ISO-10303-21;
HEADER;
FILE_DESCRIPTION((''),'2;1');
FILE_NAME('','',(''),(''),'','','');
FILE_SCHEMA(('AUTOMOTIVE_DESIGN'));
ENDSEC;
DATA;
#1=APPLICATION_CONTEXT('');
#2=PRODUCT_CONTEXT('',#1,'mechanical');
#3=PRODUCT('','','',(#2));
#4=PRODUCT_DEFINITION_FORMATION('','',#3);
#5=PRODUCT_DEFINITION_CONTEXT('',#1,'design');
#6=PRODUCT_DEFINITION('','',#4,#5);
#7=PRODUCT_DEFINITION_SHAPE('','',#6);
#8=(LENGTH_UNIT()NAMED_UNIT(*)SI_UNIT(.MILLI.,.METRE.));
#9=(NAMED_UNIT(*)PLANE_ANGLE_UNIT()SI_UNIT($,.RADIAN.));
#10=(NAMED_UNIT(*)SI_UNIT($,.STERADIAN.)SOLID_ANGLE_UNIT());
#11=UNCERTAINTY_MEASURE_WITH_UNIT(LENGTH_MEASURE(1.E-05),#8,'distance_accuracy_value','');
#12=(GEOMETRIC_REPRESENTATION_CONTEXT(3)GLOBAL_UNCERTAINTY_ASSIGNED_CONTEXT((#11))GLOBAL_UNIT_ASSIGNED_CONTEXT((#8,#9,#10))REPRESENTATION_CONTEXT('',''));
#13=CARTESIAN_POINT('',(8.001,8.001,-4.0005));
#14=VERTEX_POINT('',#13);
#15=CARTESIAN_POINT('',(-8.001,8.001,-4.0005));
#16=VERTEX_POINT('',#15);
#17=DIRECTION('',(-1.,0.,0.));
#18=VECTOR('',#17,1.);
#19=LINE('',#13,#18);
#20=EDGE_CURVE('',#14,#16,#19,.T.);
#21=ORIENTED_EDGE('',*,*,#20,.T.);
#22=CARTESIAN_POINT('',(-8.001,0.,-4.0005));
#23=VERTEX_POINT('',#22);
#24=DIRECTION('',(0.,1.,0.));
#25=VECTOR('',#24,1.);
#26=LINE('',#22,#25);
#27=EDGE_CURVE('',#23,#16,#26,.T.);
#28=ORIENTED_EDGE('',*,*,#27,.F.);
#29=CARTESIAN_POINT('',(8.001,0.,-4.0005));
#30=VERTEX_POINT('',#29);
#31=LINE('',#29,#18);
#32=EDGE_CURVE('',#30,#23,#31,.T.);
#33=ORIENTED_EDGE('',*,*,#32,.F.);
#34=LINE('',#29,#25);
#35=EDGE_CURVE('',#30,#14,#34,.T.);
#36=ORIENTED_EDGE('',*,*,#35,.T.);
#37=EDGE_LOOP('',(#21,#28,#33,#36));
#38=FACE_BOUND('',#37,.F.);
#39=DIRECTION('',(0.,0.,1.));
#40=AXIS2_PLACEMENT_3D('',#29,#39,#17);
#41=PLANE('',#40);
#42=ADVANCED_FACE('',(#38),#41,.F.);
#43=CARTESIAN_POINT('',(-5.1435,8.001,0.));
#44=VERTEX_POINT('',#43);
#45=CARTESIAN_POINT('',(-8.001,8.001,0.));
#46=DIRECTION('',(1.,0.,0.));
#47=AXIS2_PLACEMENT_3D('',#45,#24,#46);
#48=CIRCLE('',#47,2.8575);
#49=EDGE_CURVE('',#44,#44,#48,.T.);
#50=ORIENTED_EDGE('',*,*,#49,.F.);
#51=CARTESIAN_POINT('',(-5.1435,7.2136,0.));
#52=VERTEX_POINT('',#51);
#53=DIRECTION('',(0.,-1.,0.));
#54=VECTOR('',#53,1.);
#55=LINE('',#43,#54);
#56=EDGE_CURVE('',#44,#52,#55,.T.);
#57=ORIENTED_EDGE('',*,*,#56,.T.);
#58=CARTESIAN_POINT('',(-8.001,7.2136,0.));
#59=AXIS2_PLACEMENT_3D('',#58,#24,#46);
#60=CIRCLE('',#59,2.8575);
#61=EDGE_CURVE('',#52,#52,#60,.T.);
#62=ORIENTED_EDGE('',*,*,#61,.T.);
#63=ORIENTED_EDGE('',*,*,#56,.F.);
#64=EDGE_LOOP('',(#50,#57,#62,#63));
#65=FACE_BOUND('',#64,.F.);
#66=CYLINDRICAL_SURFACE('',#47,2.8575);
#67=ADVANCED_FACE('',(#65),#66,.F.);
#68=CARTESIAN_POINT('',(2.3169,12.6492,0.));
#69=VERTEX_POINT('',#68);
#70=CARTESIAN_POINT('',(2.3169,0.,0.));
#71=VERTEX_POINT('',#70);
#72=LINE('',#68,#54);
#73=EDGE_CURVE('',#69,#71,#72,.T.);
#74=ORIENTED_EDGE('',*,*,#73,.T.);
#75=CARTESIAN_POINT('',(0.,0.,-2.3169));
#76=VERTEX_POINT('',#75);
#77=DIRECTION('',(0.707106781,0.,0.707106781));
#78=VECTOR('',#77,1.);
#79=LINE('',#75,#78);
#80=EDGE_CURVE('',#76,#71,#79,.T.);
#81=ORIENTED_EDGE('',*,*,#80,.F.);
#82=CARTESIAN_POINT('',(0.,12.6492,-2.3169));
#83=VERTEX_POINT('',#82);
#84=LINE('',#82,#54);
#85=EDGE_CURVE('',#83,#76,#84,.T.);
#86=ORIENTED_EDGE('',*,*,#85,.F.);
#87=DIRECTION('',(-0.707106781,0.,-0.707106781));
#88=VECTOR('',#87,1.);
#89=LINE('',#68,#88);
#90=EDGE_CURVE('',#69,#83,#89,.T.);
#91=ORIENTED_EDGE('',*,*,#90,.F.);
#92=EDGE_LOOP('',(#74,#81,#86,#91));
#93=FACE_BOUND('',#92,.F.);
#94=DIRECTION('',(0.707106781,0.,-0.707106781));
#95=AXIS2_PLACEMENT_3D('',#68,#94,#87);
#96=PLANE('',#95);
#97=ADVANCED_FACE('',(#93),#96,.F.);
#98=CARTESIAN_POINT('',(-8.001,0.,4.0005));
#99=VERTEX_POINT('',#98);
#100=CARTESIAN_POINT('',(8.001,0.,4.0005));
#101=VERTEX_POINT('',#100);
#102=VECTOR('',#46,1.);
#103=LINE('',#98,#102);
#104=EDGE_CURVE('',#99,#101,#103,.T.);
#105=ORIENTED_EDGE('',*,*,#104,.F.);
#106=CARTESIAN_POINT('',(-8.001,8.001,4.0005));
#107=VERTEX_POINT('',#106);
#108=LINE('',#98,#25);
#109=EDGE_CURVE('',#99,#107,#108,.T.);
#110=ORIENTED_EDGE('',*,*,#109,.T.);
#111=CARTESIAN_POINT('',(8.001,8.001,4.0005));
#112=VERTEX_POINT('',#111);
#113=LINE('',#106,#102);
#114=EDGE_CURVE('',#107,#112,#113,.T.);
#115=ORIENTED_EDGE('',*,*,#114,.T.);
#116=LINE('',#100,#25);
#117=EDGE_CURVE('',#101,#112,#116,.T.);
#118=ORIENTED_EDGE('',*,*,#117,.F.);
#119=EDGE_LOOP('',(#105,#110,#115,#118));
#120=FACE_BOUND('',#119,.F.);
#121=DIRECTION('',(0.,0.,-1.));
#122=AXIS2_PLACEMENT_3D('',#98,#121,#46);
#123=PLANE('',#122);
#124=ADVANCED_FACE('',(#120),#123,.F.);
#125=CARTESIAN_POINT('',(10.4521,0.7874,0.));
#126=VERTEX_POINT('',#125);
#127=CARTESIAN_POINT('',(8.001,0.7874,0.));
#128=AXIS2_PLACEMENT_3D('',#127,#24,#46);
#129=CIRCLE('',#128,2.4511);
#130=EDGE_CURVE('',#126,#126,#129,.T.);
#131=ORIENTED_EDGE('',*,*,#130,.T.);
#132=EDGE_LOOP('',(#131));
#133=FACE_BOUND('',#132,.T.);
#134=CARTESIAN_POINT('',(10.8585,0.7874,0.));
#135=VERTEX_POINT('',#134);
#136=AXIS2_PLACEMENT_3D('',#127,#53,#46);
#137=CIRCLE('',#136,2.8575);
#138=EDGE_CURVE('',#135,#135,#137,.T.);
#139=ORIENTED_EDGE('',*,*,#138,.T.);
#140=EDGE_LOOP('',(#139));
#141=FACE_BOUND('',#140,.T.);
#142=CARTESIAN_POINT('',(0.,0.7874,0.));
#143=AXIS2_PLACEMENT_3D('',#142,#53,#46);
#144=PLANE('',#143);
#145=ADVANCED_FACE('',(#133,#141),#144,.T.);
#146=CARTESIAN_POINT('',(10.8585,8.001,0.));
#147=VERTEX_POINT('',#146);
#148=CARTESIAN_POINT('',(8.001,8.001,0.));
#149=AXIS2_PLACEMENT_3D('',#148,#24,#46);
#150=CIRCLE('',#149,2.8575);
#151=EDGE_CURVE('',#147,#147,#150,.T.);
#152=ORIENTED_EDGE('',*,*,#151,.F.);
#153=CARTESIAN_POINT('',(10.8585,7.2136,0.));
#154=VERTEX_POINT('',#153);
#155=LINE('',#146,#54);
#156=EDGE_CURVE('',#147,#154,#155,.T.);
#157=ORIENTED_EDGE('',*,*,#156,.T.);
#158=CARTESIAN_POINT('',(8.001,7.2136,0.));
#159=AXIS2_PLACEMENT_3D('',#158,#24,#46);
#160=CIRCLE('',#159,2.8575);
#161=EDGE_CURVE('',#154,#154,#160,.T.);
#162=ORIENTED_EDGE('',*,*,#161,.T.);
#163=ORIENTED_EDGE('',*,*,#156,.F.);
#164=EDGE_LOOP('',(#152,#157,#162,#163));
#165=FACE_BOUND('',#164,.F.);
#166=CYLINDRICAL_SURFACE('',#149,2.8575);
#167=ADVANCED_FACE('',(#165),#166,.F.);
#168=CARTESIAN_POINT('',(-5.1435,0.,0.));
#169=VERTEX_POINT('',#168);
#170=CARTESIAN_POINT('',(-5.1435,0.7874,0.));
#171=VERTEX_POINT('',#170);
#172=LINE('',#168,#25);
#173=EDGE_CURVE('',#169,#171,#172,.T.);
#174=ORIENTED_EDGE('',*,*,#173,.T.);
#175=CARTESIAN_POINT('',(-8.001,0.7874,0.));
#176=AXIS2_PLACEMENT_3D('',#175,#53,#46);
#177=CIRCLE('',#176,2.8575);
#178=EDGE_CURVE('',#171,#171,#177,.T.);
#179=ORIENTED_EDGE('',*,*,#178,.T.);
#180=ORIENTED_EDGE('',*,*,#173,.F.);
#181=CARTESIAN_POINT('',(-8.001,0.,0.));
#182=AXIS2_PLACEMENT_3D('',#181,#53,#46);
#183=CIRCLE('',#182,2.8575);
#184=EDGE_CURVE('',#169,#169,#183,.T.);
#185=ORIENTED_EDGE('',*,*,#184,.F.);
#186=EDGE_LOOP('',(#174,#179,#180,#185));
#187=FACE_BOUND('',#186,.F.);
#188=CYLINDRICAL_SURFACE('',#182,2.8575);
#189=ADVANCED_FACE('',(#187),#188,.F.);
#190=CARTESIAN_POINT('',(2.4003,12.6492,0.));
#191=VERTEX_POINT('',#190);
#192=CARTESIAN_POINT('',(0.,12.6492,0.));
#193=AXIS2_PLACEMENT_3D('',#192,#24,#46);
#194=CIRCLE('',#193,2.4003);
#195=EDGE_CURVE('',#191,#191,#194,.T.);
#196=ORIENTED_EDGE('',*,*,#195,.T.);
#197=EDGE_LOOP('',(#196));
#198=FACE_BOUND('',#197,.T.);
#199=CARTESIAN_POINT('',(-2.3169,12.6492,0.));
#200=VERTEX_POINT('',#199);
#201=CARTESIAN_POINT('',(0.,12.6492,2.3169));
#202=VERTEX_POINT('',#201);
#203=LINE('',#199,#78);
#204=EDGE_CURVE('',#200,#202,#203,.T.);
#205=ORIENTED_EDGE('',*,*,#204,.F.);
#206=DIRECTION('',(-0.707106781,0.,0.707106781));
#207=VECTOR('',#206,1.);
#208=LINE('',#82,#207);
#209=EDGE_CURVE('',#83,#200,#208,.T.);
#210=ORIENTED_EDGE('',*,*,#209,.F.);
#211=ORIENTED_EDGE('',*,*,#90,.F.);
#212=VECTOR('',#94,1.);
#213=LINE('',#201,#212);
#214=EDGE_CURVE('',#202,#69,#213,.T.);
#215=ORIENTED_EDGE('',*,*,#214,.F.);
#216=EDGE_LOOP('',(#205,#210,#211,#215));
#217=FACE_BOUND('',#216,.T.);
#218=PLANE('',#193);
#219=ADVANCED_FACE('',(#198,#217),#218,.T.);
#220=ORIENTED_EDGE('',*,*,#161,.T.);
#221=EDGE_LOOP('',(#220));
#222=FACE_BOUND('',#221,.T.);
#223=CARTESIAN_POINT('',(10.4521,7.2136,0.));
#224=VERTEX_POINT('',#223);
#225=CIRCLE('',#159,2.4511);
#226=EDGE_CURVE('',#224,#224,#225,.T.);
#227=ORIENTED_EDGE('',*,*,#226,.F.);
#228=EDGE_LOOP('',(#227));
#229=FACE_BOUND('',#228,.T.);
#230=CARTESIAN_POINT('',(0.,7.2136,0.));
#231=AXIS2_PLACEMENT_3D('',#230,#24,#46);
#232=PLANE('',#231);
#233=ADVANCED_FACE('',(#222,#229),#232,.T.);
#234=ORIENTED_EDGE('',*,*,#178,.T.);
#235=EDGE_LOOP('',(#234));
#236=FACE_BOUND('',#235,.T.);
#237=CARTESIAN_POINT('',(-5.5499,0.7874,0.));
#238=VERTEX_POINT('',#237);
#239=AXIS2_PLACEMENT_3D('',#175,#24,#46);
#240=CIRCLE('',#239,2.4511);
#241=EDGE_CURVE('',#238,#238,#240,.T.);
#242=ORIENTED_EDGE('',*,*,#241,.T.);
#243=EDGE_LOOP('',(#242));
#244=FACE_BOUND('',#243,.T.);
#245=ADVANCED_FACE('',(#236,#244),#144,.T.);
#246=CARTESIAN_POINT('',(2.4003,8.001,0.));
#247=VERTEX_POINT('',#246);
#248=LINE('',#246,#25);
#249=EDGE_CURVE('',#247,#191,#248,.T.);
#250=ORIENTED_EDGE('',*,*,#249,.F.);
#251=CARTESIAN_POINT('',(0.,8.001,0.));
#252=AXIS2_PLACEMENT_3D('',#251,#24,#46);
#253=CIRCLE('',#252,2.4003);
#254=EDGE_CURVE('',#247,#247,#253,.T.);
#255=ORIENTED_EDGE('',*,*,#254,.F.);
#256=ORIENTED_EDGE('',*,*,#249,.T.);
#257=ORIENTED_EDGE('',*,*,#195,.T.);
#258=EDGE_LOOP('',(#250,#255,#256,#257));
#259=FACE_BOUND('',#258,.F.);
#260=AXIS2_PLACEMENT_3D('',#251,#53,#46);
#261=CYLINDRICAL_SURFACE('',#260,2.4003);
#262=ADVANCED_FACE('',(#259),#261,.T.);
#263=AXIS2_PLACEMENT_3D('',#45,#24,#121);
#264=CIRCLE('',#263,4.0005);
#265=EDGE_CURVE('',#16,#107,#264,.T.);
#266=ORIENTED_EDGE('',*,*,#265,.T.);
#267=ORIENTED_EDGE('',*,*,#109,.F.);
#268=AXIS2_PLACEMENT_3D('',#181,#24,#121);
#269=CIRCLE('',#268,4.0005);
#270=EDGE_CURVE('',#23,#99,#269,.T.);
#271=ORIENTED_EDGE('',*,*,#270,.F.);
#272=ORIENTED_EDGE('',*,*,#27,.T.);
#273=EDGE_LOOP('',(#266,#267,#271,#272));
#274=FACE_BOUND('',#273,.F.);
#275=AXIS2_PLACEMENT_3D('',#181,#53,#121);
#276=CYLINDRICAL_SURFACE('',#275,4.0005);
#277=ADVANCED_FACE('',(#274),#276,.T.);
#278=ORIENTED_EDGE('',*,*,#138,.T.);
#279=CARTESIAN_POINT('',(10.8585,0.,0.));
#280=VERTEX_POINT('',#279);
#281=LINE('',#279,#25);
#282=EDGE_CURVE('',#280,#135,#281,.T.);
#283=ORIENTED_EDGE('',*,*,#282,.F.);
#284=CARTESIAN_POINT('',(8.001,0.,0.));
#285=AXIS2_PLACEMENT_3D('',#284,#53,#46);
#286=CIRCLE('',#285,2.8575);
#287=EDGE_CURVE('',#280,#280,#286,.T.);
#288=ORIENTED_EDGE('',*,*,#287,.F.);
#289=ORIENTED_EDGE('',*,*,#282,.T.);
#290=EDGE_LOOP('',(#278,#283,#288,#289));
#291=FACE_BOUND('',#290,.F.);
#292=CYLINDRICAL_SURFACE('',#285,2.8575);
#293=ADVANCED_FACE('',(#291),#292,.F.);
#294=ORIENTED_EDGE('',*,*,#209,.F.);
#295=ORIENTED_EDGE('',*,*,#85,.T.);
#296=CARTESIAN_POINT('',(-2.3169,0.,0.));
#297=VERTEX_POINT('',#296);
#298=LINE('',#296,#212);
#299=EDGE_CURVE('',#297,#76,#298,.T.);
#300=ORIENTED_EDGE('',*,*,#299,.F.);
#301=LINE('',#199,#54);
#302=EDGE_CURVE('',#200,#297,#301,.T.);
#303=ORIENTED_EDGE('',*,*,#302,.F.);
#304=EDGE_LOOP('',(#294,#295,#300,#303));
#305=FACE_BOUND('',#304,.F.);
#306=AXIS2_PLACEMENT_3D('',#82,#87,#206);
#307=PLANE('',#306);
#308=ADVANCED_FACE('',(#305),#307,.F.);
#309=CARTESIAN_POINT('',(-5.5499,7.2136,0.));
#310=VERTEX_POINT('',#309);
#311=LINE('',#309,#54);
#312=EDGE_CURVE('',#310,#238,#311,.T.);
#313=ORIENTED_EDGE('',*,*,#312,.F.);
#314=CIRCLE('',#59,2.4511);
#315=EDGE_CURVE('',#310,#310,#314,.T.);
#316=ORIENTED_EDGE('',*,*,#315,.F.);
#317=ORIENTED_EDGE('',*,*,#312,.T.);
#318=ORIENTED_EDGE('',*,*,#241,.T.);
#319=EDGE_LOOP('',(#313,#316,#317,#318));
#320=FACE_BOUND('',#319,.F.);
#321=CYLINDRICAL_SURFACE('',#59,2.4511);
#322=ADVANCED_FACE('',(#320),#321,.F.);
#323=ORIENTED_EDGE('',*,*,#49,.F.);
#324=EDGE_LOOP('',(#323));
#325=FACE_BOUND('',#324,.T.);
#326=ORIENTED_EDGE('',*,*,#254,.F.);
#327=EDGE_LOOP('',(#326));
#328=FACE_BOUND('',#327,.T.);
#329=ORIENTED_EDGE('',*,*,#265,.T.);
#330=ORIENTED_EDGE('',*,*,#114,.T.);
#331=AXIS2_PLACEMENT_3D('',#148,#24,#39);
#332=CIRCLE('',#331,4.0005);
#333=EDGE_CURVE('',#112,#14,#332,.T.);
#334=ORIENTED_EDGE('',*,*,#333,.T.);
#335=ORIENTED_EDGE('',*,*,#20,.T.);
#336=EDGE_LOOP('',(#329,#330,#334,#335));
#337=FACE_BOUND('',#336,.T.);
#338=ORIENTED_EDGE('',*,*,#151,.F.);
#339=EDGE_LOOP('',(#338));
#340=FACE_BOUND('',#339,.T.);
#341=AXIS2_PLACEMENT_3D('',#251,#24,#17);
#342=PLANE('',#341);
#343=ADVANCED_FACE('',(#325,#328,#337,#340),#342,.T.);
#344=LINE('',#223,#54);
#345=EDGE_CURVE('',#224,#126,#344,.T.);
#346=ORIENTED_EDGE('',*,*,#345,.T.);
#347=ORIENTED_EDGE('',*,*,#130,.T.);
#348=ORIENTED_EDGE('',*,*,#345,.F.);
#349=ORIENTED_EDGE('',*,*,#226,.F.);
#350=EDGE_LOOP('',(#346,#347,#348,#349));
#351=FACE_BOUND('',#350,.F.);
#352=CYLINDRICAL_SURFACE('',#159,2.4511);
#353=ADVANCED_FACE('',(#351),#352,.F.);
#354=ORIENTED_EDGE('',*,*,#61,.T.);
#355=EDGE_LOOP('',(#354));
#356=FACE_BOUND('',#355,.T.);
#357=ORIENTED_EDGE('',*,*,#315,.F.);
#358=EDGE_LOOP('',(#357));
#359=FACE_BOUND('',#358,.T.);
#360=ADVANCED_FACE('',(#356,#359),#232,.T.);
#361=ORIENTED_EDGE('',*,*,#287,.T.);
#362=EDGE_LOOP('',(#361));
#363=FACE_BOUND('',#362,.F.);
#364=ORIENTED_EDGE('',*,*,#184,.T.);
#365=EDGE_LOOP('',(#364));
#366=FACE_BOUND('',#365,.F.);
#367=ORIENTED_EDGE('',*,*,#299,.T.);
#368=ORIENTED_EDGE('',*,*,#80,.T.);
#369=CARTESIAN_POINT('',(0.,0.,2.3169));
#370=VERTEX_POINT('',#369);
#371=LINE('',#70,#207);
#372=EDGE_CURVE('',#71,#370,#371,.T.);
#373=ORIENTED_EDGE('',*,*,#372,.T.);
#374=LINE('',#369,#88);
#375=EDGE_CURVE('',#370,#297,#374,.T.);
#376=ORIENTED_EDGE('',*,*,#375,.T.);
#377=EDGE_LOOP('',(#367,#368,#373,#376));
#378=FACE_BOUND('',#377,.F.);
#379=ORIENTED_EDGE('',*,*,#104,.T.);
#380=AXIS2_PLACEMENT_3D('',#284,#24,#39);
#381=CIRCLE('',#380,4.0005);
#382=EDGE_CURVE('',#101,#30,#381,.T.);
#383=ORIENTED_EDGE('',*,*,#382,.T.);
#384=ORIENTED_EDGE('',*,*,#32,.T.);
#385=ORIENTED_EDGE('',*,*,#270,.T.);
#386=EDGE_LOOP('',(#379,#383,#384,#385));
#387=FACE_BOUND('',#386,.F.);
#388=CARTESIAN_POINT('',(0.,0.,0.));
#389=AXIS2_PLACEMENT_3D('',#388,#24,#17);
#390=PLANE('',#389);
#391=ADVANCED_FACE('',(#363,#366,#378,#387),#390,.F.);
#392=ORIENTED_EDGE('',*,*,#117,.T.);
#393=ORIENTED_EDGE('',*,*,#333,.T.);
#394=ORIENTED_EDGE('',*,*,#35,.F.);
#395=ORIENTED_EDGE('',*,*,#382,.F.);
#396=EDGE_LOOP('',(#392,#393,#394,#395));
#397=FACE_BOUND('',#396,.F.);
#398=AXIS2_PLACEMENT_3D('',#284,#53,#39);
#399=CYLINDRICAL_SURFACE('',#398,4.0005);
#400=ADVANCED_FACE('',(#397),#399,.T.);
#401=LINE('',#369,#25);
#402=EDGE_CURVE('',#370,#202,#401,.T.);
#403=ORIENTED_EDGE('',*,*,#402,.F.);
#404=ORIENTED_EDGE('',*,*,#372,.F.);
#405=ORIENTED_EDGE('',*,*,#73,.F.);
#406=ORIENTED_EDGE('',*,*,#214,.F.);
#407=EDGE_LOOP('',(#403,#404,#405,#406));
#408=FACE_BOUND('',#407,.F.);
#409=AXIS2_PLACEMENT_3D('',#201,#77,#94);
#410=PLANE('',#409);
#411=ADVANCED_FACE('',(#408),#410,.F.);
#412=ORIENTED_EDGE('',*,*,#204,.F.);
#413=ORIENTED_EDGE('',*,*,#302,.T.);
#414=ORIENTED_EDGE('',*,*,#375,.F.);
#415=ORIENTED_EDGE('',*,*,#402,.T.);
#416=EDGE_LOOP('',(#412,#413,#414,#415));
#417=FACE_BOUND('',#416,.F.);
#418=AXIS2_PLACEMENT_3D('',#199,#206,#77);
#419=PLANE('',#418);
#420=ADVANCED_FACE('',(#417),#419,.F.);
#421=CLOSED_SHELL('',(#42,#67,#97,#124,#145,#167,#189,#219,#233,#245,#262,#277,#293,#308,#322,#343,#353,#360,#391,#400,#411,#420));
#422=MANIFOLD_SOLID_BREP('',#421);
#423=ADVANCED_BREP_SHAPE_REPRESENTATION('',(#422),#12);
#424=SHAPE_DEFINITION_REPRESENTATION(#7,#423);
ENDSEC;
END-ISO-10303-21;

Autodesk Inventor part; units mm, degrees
ref_plane "YZ Plane" through (0, 0, 0) normal (1, 0, 0) x (0, 1, 0)
ref_plane "XZ Plane" through (0, 0, 0) normal (0, 1, 0) x (-1, 0, 0)
ref_plane "XY Plane" through (0, 0, 0) normal (0, 0, 1) x (1, 0, 0)
sketch "Sketch1" plane through (0, 0, 0) normal (0, 1, 0) x (-1, 0, 0)
  line L0 (-8.001, 0) -> (8.001, 0) construction
  line L1 (-8.001, -4.0005) -> (8.001, -4.0005)
  line L2 (8.001, 4.0005) -> (-8.001, 4.0005)
  arc A0 (-8.001, 4.0005) -> (-8.001, -4.0005) centre (-8.001, 0) ccw
  arc A1 (8.001, -4.0005) -> (8.001, 4.0005) centre (8.001, 0) ccw
  line L3 (-2.3169, 0) -> (0, 2.3169)
  line L4 (0, 2.3169) -> (2.3169, 0)
  line L5 (2.3169, 0) -> (0, -2.3169)
  line L6 (0, -2.3169) -> (-2.3169, 0)
  line L7 (-2.3169, 0) -> (2.3169, 0) construction
  line L8 (0, 2.3169) -> (0, -2.3169) construction
  point P0 (0, 0)
  dimension "d0" = 8.001
  dimension "d1" = 8.001
  dimension "d2" = 3.2766
  dimension "d3" = 3.2766
extrude "Extrusion1" add sketch "Sketch1" along normal blind 8.001
sketch "Sketch2" plane through (0, 8.001, 0) normal (0, 1, 0) x (1, 0, 0)
  circle A0 centre (-8.001, 0) radius 2.8575
  point P0 (0, 0)
  dimension "d6" = 8.001
  dimension "d7" = 5.715
extrude "Extrusion2" cut sketch "Sketch2" against normal blind 0.7874
sketch "Sketch3" plane through (0, 8.001, 0) normal (0, 1, 0) x (1, 0, 0)
  circle A0 centre (8.001, 0) radius 2.8575
  point P0 (0, 0)
  dimension "d10" = 8.001
  dimension "d11" = 5.715
extrude "Extrusion3" cut sketch "Sketch3" against normal blind 0.7874
sketch "Sketch4" plane through (0, 0, 0) normal (0, -1, 0) x (1, 0, 0)
  circle A0 centre (8.001, 0) radius 2.8575 projected
  circle A1 centre (8.001, 0) radius 2.8575
  point P0 (0, 0)
extrude "Extrusion4" cut sketch "Sketch4" against normal blind 0.7874
sketch "Sketch5" plane through (0, 0, 0) normal (0, -1, 0) x (1, 0, 0)
  circle A0 centre (-8.001, 0) radius 2.8575 projected
  circle A1 centre (-8.001, 0) radius 2.8575
  point P0 (0, 0)
extrude "Extrusion5" cut sketch "Sketch5" against normal blind 0.7874
sketch "Sketch6" plane through (-8.001, 7.2136, 0) normal (0, 1, 0) x (1, 0, 0)
  circle A0 centre (0, 0) radius 2.4511
  point P0 (8.001, 0)
  dimension "d18" = 4.9022
extrude "Extrusion6" cut sketch "Sketch6" against normal through all
sketch "Sketch7" plane through (8.001, 7.2136, 0) normal (0, 1, 0) x (1, 0, 0)
  circle A0 centre (0, 0) radius 2.4511
  point P0 (-8.001, 0)
  dimension "d21" = 4.9022
extrude "Extrusion7" cut sketch "Sketch7" against normal through all
sketch "Sketch8" plane through (0, 8.001, 0) normal (0, 1, 0) x (1, 0, 0)
  circle A0 centre (0, 0) radius 2.4003
  dimension "d24" = 4.8006
extrude "Extrusion8" add sketch "Sketch8" along normal blind 4.6482
sketch "Sketch9" plane through (0, 12.6492, 0) normal (0, 1, 0) x (1, 0, 0)
  line L0 (2.3169, 0) -> (0, 2.3169)
  line L1 (0, 2.3169) -> (-2.3169, 0)
  line L2 (-2.3169, 0) -> (0, -2.3169)
  line L3 (0, -2.3169) -> (2.3169, 0)
  circle A0 centre (0, 0) radius 2.4003 projected
  line L4 (-1.6383, -1.6383) -> (1.6383, 1.6383) construction
  line L5 (1.6383, -1.6383) -> (-1.6383, 1.6383) construction
  dimension "d27" = 3.2766
  dimension "d28" = 3.2766
extrude "Extrusion9" cut sketch "Sketch9" against normal blind 4.6482 contours L3 L2 L1 L0
properties part number "VexLegoCoupler"
